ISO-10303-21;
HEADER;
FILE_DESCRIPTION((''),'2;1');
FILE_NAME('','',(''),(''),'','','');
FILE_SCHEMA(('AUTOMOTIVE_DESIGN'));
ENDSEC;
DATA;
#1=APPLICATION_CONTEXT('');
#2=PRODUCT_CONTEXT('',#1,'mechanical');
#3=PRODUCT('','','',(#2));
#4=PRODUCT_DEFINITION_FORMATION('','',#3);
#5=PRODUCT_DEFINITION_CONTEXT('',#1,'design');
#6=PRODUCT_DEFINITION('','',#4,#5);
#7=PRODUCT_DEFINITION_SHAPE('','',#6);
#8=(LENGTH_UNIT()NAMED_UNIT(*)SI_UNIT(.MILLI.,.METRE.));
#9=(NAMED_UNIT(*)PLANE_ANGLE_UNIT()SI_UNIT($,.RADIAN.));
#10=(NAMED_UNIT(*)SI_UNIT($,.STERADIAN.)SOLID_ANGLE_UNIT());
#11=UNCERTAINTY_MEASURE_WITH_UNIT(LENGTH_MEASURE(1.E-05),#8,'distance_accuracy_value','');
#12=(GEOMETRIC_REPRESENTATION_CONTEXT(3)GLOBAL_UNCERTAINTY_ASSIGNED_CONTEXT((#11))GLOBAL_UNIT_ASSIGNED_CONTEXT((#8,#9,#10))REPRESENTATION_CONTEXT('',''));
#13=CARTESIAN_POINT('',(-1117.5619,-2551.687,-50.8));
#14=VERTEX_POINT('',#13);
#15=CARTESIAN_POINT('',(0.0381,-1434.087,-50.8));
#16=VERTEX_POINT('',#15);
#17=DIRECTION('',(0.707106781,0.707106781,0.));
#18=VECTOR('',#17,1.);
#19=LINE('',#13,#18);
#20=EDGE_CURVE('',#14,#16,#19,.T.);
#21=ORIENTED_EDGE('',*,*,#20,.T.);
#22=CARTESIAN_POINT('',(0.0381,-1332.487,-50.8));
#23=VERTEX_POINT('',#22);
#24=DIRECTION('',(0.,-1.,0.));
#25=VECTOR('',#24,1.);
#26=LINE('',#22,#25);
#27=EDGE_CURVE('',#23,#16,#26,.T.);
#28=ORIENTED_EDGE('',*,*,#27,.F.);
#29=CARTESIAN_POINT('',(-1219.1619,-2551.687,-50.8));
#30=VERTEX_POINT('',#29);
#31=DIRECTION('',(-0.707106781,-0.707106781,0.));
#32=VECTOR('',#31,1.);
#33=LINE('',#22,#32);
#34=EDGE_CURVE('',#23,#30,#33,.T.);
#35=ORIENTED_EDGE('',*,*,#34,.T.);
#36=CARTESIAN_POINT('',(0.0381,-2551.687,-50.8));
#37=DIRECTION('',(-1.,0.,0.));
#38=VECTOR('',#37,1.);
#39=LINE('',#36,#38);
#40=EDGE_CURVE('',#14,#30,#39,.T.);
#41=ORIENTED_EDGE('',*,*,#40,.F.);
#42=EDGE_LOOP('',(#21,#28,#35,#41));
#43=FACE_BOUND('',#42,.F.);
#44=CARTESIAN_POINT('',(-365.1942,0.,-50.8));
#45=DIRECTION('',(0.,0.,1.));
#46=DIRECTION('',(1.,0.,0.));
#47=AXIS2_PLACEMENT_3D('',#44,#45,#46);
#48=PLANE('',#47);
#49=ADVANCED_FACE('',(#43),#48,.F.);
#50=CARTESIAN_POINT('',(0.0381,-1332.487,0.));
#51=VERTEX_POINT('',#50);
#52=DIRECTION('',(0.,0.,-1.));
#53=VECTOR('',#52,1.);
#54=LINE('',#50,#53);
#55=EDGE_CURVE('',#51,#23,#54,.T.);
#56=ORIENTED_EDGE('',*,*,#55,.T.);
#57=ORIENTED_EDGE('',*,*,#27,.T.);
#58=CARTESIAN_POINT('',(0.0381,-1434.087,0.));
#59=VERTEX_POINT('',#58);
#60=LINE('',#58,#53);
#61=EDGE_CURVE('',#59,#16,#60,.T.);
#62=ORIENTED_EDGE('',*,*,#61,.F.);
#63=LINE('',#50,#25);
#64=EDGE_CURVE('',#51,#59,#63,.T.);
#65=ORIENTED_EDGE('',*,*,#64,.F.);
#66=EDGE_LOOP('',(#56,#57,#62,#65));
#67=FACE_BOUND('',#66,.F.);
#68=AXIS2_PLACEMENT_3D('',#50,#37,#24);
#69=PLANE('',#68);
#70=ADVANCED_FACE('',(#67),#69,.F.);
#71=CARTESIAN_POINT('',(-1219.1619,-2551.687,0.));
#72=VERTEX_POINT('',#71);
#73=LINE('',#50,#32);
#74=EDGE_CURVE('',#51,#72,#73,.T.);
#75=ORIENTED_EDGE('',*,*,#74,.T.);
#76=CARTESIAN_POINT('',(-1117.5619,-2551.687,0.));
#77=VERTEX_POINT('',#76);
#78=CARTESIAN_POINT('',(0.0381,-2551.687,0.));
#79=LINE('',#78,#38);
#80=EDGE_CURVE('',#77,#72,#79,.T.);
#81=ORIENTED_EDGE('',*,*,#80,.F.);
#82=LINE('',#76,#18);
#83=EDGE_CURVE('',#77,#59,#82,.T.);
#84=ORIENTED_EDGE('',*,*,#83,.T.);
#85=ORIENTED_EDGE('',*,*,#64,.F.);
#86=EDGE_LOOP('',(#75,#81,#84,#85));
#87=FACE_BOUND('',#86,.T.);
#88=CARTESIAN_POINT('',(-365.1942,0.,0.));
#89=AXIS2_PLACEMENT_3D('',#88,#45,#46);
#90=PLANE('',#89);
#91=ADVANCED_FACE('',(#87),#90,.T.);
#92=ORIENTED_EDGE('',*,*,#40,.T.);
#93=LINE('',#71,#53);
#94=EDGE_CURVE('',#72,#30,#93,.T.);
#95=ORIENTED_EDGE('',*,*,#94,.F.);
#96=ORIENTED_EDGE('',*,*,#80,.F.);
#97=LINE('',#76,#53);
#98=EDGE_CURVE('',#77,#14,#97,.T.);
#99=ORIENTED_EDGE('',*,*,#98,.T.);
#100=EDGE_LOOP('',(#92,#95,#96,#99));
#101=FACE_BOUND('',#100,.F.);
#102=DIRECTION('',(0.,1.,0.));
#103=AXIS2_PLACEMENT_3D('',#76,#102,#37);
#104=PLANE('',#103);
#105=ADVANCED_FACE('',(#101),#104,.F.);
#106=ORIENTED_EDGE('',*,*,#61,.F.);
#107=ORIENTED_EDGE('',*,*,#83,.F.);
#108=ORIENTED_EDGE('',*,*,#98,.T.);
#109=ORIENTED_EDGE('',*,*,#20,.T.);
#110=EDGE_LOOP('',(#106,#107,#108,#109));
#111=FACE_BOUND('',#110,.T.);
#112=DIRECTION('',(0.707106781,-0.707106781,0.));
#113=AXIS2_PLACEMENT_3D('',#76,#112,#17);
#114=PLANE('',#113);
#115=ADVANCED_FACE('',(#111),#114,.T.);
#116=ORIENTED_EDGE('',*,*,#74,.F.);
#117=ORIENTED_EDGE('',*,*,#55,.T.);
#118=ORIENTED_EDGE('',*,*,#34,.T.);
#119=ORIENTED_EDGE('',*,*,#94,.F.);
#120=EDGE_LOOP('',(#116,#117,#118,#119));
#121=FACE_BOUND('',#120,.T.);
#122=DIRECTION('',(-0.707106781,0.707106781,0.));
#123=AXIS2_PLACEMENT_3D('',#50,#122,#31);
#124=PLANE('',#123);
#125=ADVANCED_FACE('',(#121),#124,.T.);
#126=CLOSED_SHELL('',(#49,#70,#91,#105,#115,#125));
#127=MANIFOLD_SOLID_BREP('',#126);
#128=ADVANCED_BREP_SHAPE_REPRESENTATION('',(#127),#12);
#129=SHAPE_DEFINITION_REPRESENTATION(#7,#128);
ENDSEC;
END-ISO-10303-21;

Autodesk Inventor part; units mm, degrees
ref_plane "YZ Plane" through (0, 0, 0) normal (1, 0, 0) x (0, 1, 0)
ref_plane "XZ Plane" through (0, 0, 0) normal (0, 1, 0) x (-1, 0, 0)
ref_plane "XY Plane" through (0, 0, 0) normal (0, 0, 1) x (1, 0, 0)
ref_plane "Work Plane1" through (-365.1942, 0, 0) normal (0, 0, 1) x (1, 0, 0)
sketch "Sketch1" plane through (-365.1942, 0, 0) normal (0, 0, 1) x (1, 0, 0)
  line L0 (365.2323, -2653.287) -> (365.2323, -2551.687) projected
  line L1 (365.2323, -2551.687) -> (-853.9677, -2551.687) projected
  line L2 (-853.9677, -2551.687) -> (-853.9677, -2653.287) projected
  line L3 (-853.9677, -2653.287) -> (365.2323, -2653.287) projected
  line L4 (365.2323, -2551.687) -> (416.0323, -2551.687) projected
  line L5 (416.0323, -1332.487) -> (416.0323, -2551.687) projected
  line L6 (365.2323, -1332.487) -> (416.0323, -1332.487) projected
  line L7 (365.2323, -1332.487) -> (365.2323, -2551.687) projected
  line L8 (365.2323, -1332.487) -> (365.2323, -1434.087)
  line L9 (-853.9677, -2551.687) -> (-752.3677, -2551.687)
  line L10 (-752.3677, -2551.687) -> (365.2323, -1434.087)
  line L11 (365.2323, -1332.487) -> (-853.9677, -2551.687)
  point P0 (365.1942, 0)
  dimension "d0" = 101.6
  dimension "d1" = 101.6
extrude "Extrusion1" add sketch "Sketch1" against normal blind 50.8 contours L1 L11 L7 L10
properties part number "Leg slant.2" material "Wood (Birch)"
